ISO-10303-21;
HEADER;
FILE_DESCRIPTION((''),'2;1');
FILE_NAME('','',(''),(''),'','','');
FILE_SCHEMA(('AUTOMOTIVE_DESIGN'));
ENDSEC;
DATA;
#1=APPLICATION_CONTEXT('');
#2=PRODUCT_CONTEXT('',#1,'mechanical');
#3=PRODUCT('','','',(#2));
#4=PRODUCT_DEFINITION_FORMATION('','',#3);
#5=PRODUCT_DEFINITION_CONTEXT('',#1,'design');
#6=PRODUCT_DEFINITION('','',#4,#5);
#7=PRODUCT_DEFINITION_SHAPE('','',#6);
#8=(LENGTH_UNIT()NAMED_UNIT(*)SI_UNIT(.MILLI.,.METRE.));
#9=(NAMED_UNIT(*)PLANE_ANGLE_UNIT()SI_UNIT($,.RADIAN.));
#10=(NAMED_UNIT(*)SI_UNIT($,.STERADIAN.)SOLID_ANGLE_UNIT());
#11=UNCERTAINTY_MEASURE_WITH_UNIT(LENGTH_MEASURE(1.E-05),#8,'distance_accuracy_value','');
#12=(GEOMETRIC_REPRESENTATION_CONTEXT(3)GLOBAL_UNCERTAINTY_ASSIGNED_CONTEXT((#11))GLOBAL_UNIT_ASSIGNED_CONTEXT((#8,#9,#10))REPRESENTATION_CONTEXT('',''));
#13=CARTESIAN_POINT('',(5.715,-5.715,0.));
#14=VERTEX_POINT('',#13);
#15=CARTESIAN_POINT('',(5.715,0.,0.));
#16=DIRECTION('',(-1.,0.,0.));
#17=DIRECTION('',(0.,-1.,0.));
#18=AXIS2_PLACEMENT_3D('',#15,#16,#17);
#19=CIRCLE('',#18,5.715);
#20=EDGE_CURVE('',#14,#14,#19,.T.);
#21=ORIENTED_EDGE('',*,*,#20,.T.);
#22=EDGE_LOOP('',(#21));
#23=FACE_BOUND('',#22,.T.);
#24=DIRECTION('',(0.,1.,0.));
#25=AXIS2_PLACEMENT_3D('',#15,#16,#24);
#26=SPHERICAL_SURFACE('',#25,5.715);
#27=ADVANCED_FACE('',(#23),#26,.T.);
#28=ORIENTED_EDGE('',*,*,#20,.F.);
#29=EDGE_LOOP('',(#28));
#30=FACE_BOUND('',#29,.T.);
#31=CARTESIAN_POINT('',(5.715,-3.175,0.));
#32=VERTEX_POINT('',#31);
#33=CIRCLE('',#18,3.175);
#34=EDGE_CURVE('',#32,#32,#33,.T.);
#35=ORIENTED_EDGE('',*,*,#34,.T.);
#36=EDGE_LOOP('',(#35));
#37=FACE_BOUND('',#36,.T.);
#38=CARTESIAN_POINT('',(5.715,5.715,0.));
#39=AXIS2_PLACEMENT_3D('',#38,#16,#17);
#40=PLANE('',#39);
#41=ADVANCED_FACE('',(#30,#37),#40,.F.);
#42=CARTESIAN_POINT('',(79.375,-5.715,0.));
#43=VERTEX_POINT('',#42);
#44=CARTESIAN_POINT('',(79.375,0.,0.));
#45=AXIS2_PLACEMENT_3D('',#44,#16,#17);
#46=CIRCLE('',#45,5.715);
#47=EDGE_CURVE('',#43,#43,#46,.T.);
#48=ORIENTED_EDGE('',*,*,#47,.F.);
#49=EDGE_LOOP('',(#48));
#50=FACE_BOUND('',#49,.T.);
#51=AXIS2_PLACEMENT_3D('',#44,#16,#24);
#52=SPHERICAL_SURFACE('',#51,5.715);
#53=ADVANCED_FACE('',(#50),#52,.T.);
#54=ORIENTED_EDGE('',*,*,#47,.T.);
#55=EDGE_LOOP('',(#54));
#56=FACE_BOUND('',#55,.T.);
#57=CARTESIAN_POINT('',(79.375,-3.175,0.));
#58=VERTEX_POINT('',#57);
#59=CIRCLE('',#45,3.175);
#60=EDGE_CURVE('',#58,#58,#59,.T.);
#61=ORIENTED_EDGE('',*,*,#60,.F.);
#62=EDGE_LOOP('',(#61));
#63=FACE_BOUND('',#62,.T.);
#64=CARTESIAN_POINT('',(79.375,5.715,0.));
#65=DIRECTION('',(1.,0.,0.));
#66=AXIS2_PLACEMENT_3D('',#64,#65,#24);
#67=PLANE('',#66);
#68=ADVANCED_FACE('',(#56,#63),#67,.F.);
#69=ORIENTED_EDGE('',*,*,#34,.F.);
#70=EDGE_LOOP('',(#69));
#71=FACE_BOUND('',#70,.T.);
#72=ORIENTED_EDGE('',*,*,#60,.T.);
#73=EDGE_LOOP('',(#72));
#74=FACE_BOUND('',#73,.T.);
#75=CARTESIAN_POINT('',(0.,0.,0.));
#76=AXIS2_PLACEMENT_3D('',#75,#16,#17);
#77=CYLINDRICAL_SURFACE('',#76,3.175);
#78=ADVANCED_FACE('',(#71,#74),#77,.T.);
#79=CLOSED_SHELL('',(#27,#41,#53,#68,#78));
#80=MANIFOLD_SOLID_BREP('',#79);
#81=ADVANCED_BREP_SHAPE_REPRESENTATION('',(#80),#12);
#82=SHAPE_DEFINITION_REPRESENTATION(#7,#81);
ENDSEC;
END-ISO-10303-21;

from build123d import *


with BuildPart() as part:
    # Sketch1 → Revolve1 (revolve)
    with BuildSketch(Plane.XY):
        with BuildLine():
            Line((5.715, 5.715), (5.715, 3.175))
            Line((5.715, 3.175), (79.375, 3.175))
            Line((79.375, 3.175), (79.375, 5.715))
            ThreePointArc((79.375, 5.715), (83.416115254, 4.041115254), (85.09, 0))
            Line((85.09, 0), (0, 0))
            ThreePointArc((0, 0), (1.673884746, 4.041115254), (5.715, 5.715))
        make_face()
    revolve(axis=Axis((0, 0, 0), (1, 0, 0)))


solid = part.part
